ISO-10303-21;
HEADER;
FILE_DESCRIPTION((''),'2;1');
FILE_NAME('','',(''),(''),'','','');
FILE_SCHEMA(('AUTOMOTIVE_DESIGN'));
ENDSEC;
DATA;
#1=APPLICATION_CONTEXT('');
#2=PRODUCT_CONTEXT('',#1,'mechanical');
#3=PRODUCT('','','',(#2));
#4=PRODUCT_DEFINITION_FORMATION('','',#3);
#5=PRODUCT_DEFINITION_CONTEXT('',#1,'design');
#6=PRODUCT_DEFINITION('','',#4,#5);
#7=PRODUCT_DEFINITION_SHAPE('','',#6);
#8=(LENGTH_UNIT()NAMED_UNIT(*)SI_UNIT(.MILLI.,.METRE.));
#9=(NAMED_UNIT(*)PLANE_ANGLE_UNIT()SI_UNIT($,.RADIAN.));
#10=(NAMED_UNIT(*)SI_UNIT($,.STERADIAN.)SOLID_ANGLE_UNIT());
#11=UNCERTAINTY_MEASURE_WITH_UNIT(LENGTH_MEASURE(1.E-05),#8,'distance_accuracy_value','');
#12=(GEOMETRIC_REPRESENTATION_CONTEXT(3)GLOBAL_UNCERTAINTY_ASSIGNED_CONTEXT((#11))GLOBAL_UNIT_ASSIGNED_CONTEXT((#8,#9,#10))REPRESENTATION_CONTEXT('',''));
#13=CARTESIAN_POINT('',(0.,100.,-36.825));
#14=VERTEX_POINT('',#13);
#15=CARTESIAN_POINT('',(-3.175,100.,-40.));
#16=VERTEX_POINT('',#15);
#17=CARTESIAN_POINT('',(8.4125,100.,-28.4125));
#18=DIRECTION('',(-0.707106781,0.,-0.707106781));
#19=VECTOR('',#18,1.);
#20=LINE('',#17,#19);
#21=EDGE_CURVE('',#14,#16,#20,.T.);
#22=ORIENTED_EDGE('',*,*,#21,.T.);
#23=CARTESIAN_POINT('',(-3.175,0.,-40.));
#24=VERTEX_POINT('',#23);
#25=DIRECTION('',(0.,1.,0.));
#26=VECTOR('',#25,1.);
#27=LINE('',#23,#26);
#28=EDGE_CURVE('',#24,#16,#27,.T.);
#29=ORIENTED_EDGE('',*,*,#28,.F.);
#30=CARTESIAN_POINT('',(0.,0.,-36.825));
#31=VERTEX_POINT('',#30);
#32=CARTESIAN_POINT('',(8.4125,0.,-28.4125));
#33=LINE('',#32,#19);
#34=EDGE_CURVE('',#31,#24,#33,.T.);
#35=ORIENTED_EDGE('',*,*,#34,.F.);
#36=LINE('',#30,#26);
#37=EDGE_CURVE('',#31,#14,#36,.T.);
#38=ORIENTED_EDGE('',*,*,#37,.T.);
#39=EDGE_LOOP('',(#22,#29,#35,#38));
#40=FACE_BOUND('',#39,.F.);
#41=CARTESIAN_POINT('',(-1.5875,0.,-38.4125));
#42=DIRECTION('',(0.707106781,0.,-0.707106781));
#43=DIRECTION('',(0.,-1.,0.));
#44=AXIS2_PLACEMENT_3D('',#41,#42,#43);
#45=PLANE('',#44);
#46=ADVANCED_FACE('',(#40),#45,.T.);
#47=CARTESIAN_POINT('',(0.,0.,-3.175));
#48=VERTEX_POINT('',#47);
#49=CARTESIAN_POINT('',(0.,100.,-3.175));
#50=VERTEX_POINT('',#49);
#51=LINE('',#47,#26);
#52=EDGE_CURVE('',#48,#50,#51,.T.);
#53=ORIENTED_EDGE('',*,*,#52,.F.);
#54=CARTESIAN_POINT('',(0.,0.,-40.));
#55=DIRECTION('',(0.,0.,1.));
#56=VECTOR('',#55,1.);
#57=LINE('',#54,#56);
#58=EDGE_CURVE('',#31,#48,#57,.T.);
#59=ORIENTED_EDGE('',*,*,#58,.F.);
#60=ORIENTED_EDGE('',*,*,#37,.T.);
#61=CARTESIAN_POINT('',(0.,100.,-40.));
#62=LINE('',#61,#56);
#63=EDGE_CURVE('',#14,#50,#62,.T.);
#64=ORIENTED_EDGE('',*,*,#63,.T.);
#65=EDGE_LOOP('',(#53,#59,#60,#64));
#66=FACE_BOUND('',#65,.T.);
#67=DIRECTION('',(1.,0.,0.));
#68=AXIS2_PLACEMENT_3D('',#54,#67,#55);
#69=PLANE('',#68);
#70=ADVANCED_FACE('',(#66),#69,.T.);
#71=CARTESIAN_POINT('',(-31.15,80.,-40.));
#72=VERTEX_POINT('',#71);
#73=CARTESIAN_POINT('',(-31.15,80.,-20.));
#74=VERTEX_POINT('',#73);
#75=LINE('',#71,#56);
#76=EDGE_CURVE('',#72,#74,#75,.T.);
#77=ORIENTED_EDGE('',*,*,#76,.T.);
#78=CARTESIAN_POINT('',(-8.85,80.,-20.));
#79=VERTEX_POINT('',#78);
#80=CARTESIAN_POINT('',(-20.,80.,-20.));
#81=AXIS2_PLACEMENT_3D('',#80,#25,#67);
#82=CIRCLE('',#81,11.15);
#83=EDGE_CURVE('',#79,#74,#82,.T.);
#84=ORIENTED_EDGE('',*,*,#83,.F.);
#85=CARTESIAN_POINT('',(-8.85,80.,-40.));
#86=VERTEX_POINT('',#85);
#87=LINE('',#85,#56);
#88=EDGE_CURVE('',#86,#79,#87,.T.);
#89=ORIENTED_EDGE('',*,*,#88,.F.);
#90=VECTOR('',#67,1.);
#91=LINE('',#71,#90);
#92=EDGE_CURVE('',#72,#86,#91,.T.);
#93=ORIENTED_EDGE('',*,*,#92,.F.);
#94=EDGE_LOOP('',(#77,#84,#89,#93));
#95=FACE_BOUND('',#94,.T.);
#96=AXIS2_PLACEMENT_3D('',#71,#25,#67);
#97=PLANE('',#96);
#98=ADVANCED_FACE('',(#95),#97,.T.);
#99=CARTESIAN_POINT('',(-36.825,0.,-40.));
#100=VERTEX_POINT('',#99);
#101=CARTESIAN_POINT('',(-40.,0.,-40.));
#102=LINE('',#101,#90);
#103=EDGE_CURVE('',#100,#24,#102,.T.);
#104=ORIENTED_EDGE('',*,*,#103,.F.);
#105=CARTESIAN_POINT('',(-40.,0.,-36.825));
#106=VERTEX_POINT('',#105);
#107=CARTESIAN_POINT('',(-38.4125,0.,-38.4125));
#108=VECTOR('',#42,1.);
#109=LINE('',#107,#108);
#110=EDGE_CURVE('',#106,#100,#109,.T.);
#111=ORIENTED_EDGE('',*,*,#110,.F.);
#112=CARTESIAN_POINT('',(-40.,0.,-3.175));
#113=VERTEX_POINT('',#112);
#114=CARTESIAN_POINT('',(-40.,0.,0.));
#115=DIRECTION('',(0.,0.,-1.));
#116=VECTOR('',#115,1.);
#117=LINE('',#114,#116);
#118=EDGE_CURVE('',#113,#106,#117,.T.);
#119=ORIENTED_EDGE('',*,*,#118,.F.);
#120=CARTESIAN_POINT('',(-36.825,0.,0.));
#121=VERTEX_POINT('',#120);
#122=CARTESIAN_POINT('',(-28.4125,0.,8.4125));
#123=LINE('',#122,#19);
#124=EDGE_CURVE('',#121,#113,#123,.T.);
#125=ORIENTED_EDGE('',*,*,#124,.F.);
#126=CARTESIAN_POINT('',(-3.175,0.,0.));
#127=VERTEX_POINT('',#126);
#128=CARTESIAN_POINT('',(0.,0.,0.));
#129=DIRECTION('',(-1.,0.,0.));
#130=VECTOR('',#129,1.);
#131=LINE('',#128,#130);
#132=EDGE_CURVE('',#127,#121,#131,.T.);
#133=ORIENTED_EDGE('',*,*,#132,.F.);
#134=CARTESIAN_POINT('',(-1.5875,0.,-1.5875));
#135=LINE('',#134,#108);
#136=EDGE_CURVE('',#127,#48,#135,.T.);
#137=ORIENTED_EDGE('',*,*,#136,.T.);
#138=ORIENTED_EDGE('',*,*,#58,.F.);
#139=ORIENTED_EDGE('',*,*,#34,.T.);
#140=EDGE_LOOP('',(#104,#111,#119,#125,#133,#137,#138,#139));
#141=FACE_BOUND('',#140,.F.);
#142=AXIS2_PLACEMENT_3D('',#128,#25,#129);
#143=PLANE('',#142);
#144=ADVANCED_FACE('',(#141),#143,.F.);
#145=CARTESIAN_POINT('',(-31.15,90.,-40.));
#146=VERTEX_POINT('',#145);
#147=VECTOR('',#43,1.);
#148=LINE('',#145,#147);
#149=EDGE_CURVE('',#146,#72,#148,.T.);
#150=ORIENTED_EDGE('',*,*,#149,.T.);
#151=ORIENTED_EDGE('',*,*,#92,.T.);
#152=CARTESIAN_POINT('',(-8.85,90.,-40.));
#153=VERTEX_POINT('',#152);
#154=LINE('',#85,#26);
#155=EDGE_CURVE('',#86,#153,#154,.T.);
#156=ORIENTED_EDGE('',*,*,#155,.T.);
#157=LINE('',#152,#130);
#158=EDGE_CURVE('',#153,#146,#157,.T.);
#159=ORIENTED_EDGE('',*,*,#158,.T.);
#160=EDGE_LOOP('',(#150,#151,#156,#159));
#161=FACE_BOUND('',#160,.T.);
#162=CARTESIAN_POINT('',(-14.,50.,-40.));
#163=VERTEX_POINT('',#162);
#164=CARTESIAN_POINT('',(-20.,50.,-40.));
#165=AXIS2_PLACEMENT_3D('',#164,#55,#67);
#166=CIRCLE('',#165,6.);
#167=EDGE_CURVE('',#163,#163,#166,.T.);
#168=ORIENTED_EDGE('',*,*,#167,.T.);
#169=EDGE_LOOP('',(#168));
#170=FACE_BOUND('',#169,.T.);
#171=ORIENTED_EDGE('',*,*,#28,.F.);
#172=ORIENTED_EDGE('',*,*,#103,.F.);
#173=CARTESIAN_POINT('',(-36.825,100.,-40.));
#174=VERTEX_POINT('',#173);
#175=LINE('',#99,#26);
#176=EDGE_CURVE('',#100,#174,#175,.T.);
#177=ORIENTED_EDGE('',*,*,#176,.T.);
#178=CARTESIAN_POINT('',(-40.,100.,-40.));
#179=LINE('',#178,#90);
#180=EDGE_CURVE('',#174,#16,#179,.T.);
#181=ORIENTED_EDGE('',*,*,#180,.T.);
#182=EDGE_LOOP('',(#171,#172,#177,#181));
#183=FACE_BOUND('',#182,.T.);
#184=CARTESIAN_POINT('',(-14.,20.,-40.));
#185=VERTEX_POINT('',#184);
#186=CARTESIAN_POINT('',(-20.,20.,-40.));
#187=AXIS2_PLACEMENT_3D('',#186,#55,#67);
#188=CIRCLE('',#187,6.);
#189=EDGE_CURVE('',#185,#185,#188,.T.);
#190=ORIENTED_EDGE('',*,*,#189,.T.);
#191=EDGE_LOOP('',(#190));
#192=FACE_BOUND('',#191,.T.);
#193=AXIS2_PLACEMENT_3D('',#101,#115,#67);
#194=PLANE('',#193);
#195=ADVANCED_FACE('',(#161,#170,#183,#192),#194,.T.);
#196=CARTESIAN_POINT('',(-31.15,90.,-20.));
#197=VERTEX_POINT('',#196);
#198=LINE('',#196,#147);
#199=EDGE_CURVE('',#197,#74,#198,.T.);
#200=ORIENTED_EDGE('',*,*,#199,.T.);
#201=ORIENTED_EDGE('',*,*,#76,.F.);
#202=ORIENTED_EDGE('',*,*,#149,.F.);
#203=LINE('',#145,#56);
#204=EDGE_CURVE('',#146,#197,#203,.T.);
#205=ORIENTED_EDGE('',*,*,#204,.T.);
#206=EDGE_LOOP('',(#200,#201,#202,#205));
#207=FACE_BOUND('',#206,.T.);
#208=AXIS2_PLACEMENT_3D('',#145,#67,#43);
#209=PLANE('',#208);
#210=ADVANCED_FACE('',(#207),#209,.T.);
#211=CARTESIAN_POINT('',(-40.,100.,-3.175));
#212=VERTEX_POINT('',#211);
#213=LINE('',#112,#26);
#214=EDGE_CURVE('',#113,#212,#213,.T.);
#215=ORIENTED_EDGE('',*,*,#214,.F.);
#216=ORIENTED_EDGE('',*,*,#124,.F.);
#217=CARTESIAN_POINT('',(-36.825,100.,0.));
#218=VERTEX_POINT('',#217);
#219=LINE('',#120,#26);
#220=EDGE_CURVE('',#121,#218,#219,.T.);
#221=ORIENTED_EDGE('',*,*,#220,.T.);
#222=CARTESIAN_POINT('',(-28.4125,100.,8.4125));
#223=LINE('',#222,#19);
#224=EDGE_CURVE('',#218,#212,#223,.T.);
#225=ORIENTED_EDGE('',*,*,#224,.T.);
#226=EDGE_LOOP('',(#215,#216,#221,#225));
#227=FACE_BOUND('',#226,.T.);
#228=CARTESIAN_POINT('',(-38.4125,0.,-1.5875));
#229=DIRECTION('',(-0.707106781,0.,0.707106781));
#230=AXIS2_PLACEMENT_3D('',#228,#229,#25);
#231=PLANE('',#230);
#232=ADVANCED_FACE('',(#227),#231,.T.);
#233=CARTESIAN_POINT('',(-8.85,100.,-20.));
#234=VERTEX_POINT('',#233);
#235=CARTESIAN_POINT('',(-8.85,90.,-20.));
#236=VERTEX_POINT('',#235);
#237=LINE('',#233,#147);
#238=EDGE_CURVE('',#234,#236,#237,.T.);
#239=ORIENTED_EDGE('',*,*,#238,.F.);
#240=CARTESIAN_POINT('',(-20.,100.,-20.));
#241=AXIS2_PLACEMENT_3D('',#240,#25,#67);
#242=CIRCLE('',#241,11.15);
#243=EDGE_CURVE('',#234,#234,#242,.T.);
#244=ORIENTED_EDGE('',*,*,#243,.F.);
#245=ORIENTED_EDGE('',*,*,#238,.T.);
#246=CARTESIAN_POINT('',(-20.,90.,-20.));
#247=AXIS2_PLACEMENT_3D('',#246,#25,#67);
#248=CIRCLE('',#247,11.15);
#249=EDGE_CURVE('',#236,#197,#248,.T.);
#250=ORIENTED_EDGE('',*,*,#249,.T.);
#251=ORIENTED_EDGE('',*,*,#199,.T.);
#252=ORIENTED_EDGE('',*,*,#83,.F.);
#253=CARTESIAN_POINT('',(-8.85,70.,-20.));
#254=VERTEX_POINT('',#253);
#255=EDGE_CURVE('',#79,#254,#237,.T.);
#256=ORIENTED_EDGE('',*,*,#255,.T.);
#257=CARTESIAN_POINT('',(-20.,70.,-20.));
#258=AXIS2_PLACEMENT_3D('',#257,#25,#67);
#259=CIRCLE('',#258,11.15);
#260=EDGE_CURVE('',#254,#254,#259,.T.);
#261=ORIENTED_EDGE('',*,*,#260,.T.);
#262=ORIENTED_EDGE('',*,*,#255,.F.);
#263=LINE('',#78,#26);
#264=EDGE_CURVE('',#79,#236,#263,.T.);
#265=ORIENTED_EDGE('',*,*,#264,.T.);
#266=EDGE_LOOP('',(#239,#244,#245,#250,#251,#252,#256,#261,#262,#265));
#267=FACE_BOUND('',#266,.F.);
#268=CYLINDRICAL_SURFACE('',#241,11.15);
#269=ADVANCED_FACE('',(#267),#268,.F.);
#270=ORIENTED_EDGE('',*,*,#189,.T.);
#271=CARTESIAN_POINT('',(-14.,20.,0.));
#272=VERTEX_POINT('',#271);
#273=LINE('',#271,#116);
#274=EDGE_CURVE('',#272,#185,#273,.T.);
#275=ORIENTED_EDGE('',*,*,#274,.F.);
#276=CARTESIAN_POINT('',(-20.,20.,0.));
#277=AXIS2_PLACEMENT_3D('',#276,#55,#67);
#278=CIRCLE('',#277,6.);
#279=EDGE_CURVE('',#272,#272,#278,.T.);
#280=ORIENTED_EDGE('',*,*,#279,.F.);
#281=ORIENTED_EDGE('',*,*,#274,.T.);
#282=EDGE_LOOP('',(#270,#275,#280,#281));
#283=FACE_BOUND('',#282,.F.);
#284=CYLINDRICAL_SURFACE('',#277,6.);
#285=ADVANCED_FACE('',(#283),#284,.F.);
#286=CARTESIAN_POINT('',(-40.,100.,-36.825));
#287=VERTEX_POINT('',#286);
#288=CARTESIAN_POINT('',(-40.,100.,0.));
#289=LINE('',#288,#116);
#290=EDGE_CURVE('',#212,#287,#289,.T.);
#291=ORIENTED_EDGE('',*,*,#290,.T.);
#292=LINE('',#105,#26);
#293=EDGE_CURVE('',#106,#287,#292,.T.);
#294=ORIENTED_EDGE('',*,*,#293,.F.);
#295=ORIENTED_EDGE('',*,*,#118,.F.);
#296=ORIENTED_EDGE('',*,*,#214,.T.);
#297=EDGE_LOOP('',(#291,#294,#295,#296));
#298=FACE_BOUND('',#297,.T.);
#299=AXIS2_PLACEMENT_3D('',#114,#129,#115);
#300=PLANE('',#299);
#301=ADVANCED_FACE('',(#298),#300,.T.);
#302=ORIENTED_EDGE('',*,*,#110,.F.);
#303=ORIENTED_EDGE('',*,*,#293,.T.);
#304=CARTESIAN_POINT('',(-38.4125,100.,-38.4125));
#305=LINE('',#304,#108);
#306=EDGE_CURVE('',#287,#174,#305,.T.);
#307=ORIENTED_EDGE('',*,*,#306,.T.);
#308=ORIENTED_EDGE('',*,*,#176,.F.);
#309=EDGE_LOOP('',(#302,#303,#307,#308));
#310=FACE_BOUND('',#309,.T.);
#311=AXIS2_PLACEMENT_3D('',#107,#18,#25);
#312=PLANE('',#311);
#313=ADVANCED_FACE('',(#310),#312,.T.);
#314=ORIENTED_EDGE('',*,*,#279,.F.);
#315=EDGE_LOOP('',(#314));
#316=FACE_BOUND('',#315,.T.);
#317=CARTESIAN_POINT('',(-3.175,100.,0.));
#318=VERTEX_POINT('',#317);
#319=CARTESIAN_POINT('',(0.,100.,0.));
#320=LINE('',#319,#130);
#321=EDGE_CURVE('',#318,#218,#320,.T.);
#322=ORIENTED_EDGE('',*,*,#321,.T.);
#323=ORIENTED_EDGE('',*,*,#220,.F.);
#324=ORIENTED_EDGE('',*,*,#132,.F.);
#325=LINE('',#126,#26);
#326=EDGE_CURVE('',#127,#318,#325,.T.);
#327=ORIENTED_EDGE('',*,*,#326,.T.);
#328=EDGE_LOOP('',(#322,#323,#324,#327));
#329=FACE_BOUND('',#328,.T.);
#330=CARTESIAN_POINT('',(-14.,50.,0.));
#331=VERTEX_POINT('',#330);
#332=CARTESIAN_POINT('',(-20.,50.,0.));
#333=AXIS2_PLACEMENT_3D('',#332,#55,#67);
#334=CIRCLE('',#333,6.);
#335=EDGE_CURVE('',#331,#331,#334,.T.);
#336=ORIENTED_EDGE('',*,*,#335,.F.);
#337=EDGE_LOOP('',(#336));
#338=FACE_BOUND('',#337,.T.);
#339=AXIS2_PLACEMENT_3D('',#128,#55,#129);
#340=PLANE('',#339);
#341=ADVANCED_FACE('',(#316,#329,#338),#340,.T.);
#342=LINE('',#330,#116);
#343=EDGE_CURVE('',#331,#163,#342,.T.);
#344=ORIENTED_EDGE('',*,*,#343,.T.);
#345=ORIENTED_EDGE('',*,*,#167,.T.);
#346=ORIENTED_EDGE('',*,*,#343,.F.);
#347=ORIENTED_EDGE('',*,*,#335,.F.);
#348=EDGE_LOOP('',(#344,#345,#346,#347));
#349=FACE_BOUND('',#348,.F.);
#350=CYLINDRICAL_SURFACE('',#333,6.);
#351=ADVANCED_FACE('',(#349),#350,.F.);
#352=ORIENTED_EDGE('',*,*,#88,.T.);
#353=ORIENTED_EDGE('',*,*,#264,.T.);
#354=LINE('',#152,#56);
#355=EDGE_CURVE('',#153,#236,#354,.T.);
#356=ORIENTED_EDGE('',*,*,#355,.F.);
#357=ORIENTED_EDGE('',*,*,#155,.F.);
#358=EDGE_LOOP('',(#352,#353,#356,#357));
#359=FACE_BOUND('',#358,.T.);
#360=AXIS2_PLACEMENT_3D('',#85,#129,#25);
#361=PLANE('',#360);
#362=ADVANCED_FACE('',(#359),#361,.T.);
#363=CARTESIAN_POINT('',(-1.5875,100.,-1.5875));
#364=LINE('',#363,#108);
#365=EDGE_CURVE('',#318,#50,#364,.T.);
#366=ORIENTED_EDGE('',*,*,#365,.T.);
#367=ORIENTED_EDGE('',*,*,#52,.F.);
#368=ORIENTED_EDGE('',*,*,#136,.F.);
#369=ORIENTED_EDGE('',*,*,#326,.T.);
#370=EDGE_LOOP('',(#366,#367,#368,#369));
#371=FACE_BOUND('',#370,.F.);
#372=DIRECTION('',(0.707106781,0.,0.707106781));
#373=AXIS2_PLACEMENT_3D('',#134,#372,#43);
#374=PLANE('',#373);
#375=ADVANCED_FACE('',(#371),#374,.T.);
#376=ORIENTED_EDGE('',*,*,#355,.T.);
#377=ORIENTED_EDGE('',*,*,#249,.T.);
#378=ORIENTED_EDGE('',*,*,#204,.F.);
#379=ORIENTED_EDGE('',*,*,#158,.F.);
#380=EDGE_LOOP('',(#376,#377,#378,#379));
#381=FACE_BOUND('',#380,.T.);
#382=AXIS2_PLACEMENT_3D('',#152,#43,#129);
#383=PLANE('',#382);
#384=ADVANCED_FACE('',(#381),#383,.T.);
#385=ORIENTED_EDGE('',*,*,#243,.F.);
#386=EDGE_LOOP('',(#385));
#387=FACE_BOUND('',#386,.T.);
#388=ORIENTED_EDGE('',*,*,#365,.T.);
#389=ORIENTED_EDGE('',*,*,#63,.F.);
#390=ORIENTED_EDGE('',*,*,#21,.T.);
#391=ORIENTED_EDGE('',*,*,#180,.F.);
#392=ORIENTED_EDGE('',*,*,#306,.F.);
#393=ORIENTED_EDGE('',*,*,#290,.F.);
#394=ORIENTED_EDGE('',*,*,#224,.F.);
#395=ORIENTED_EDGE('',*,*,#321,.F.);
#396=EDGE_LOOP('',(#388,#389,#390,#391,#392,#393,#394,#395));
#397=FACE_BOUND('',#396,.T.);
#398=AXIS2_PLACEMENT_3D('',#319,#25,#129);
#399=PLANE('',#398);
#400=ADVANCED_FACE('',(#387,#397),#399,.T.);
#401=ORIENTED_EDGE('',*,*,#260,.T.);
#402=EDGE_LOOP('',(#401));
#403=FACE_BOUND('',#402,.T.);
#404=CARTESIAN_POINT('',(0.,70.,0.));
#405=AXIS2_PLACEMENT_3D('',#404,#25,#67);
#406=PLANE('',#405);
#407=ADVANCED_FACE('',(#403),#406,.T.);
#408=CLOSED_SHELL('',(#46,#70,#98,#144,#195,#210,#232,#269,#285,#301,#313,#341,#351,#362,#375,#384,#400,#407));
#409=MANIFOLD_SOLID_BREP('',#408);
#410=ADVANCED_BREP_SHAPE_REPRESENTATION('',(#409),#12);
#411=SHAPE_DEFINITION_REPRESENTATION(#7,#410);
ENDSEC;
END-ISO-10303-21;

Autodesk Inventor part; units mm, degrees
ref_plane "YZ Plane" through (0, 0, 0) normal (1, 0, 0) x (0, 1, 0)
ref_plane "XZ Plane" through (0, 0, 0) normal (0, 1, 0) x (-1, 0, 0)
ref_plane "XY Plane" through (0, 0, 0) normal (0, 0, 1) x (1, 0, 0)
sketch "Sketch1" plane through (0, 0, 0) normal (0, 1, 0) x (-1, 0, 0)
  line L0 (0, 0) -> (40, 0)
  line L1 (40, 0) -> (40, -40)
  line L2 (40, -40) -> (0, -40)
  line L3 (0, -40) -> (0, 0)
  dimension "d0" = 40
  dimension "d1" = 40
extrude "Extrusion1" add sketch "Sketch1" along normal blind 100
sketch "Sketch2" plane through (-40, 0, 0) normal (0, 0, 1) x (1, 0, 0)
  circle A0 centre (20, 20) radius 6
  circle A1 centre (20, 50) radius 6
  line L0 (40, 0) -> (0, 0) projected
  line L1 (0, 0) -> (0, 100) projected
  dimension "d4" = 12
  dimension "d5" = 12
  dimension "d6" = 20
  dimension "d7" = 30
  dimension "d8" = 20
  dimension "d9" = 20
extrude "Extrusion2" cut sketch "Sketch2" against normal blind 40
sketch "Sketch3" plane through (0, 100, 0) normal (0, 1, 0) x (1, 0, 0)
  circle A0 centre (-20, 20) radius 11.15
  line L0 (-40, 40) -> (-40, 0) projected
  line L1 (-40, 0) -> (0, 0) projected
  dimension "d12" = 22.3
  dimension "d13" = 20
  dimension "d14" = 20
extrude "Extrusion3" cut sketch "Sketch3" against normal blind 30
sketch "Sketch4" plane through (0, 0, -40) normal (0, 0, -1) x (-1, 0, 0)
  line L0 (8.85, 90) -> (31.15, 90)
  line L1 (31.15, 90) -> (31.15, 80)
  line L2 (31.15, 80) -> (8.85, 80)
  line L3 (8.85, 80) -> (8.85, 90)
  line L4 (8.85, 90) -> (31.15, 80) construction
  line L5 (31.15, 90) -> (8.85, 80) construction
  line L6 (0, 0) -> (0, 100) projected
  line L7 (0, 100) -> (40, 100) projected
  point P0 (20, 85)
  dimension "d17" = 22.3
  dimension "d18" = 10
  dimension "d19" = 20
  dimension "d20" = 15
extrude "Extrusion4" cut sketch "Sketch4" against normal blind 20
chamfer "Chamfer1" distance 3.175 angle 45 4 edges at (-40, 50, 0) (-40, 50, -40) (0, 50, -40) (0, 50, 0)
properties part number "simplifiedY"
